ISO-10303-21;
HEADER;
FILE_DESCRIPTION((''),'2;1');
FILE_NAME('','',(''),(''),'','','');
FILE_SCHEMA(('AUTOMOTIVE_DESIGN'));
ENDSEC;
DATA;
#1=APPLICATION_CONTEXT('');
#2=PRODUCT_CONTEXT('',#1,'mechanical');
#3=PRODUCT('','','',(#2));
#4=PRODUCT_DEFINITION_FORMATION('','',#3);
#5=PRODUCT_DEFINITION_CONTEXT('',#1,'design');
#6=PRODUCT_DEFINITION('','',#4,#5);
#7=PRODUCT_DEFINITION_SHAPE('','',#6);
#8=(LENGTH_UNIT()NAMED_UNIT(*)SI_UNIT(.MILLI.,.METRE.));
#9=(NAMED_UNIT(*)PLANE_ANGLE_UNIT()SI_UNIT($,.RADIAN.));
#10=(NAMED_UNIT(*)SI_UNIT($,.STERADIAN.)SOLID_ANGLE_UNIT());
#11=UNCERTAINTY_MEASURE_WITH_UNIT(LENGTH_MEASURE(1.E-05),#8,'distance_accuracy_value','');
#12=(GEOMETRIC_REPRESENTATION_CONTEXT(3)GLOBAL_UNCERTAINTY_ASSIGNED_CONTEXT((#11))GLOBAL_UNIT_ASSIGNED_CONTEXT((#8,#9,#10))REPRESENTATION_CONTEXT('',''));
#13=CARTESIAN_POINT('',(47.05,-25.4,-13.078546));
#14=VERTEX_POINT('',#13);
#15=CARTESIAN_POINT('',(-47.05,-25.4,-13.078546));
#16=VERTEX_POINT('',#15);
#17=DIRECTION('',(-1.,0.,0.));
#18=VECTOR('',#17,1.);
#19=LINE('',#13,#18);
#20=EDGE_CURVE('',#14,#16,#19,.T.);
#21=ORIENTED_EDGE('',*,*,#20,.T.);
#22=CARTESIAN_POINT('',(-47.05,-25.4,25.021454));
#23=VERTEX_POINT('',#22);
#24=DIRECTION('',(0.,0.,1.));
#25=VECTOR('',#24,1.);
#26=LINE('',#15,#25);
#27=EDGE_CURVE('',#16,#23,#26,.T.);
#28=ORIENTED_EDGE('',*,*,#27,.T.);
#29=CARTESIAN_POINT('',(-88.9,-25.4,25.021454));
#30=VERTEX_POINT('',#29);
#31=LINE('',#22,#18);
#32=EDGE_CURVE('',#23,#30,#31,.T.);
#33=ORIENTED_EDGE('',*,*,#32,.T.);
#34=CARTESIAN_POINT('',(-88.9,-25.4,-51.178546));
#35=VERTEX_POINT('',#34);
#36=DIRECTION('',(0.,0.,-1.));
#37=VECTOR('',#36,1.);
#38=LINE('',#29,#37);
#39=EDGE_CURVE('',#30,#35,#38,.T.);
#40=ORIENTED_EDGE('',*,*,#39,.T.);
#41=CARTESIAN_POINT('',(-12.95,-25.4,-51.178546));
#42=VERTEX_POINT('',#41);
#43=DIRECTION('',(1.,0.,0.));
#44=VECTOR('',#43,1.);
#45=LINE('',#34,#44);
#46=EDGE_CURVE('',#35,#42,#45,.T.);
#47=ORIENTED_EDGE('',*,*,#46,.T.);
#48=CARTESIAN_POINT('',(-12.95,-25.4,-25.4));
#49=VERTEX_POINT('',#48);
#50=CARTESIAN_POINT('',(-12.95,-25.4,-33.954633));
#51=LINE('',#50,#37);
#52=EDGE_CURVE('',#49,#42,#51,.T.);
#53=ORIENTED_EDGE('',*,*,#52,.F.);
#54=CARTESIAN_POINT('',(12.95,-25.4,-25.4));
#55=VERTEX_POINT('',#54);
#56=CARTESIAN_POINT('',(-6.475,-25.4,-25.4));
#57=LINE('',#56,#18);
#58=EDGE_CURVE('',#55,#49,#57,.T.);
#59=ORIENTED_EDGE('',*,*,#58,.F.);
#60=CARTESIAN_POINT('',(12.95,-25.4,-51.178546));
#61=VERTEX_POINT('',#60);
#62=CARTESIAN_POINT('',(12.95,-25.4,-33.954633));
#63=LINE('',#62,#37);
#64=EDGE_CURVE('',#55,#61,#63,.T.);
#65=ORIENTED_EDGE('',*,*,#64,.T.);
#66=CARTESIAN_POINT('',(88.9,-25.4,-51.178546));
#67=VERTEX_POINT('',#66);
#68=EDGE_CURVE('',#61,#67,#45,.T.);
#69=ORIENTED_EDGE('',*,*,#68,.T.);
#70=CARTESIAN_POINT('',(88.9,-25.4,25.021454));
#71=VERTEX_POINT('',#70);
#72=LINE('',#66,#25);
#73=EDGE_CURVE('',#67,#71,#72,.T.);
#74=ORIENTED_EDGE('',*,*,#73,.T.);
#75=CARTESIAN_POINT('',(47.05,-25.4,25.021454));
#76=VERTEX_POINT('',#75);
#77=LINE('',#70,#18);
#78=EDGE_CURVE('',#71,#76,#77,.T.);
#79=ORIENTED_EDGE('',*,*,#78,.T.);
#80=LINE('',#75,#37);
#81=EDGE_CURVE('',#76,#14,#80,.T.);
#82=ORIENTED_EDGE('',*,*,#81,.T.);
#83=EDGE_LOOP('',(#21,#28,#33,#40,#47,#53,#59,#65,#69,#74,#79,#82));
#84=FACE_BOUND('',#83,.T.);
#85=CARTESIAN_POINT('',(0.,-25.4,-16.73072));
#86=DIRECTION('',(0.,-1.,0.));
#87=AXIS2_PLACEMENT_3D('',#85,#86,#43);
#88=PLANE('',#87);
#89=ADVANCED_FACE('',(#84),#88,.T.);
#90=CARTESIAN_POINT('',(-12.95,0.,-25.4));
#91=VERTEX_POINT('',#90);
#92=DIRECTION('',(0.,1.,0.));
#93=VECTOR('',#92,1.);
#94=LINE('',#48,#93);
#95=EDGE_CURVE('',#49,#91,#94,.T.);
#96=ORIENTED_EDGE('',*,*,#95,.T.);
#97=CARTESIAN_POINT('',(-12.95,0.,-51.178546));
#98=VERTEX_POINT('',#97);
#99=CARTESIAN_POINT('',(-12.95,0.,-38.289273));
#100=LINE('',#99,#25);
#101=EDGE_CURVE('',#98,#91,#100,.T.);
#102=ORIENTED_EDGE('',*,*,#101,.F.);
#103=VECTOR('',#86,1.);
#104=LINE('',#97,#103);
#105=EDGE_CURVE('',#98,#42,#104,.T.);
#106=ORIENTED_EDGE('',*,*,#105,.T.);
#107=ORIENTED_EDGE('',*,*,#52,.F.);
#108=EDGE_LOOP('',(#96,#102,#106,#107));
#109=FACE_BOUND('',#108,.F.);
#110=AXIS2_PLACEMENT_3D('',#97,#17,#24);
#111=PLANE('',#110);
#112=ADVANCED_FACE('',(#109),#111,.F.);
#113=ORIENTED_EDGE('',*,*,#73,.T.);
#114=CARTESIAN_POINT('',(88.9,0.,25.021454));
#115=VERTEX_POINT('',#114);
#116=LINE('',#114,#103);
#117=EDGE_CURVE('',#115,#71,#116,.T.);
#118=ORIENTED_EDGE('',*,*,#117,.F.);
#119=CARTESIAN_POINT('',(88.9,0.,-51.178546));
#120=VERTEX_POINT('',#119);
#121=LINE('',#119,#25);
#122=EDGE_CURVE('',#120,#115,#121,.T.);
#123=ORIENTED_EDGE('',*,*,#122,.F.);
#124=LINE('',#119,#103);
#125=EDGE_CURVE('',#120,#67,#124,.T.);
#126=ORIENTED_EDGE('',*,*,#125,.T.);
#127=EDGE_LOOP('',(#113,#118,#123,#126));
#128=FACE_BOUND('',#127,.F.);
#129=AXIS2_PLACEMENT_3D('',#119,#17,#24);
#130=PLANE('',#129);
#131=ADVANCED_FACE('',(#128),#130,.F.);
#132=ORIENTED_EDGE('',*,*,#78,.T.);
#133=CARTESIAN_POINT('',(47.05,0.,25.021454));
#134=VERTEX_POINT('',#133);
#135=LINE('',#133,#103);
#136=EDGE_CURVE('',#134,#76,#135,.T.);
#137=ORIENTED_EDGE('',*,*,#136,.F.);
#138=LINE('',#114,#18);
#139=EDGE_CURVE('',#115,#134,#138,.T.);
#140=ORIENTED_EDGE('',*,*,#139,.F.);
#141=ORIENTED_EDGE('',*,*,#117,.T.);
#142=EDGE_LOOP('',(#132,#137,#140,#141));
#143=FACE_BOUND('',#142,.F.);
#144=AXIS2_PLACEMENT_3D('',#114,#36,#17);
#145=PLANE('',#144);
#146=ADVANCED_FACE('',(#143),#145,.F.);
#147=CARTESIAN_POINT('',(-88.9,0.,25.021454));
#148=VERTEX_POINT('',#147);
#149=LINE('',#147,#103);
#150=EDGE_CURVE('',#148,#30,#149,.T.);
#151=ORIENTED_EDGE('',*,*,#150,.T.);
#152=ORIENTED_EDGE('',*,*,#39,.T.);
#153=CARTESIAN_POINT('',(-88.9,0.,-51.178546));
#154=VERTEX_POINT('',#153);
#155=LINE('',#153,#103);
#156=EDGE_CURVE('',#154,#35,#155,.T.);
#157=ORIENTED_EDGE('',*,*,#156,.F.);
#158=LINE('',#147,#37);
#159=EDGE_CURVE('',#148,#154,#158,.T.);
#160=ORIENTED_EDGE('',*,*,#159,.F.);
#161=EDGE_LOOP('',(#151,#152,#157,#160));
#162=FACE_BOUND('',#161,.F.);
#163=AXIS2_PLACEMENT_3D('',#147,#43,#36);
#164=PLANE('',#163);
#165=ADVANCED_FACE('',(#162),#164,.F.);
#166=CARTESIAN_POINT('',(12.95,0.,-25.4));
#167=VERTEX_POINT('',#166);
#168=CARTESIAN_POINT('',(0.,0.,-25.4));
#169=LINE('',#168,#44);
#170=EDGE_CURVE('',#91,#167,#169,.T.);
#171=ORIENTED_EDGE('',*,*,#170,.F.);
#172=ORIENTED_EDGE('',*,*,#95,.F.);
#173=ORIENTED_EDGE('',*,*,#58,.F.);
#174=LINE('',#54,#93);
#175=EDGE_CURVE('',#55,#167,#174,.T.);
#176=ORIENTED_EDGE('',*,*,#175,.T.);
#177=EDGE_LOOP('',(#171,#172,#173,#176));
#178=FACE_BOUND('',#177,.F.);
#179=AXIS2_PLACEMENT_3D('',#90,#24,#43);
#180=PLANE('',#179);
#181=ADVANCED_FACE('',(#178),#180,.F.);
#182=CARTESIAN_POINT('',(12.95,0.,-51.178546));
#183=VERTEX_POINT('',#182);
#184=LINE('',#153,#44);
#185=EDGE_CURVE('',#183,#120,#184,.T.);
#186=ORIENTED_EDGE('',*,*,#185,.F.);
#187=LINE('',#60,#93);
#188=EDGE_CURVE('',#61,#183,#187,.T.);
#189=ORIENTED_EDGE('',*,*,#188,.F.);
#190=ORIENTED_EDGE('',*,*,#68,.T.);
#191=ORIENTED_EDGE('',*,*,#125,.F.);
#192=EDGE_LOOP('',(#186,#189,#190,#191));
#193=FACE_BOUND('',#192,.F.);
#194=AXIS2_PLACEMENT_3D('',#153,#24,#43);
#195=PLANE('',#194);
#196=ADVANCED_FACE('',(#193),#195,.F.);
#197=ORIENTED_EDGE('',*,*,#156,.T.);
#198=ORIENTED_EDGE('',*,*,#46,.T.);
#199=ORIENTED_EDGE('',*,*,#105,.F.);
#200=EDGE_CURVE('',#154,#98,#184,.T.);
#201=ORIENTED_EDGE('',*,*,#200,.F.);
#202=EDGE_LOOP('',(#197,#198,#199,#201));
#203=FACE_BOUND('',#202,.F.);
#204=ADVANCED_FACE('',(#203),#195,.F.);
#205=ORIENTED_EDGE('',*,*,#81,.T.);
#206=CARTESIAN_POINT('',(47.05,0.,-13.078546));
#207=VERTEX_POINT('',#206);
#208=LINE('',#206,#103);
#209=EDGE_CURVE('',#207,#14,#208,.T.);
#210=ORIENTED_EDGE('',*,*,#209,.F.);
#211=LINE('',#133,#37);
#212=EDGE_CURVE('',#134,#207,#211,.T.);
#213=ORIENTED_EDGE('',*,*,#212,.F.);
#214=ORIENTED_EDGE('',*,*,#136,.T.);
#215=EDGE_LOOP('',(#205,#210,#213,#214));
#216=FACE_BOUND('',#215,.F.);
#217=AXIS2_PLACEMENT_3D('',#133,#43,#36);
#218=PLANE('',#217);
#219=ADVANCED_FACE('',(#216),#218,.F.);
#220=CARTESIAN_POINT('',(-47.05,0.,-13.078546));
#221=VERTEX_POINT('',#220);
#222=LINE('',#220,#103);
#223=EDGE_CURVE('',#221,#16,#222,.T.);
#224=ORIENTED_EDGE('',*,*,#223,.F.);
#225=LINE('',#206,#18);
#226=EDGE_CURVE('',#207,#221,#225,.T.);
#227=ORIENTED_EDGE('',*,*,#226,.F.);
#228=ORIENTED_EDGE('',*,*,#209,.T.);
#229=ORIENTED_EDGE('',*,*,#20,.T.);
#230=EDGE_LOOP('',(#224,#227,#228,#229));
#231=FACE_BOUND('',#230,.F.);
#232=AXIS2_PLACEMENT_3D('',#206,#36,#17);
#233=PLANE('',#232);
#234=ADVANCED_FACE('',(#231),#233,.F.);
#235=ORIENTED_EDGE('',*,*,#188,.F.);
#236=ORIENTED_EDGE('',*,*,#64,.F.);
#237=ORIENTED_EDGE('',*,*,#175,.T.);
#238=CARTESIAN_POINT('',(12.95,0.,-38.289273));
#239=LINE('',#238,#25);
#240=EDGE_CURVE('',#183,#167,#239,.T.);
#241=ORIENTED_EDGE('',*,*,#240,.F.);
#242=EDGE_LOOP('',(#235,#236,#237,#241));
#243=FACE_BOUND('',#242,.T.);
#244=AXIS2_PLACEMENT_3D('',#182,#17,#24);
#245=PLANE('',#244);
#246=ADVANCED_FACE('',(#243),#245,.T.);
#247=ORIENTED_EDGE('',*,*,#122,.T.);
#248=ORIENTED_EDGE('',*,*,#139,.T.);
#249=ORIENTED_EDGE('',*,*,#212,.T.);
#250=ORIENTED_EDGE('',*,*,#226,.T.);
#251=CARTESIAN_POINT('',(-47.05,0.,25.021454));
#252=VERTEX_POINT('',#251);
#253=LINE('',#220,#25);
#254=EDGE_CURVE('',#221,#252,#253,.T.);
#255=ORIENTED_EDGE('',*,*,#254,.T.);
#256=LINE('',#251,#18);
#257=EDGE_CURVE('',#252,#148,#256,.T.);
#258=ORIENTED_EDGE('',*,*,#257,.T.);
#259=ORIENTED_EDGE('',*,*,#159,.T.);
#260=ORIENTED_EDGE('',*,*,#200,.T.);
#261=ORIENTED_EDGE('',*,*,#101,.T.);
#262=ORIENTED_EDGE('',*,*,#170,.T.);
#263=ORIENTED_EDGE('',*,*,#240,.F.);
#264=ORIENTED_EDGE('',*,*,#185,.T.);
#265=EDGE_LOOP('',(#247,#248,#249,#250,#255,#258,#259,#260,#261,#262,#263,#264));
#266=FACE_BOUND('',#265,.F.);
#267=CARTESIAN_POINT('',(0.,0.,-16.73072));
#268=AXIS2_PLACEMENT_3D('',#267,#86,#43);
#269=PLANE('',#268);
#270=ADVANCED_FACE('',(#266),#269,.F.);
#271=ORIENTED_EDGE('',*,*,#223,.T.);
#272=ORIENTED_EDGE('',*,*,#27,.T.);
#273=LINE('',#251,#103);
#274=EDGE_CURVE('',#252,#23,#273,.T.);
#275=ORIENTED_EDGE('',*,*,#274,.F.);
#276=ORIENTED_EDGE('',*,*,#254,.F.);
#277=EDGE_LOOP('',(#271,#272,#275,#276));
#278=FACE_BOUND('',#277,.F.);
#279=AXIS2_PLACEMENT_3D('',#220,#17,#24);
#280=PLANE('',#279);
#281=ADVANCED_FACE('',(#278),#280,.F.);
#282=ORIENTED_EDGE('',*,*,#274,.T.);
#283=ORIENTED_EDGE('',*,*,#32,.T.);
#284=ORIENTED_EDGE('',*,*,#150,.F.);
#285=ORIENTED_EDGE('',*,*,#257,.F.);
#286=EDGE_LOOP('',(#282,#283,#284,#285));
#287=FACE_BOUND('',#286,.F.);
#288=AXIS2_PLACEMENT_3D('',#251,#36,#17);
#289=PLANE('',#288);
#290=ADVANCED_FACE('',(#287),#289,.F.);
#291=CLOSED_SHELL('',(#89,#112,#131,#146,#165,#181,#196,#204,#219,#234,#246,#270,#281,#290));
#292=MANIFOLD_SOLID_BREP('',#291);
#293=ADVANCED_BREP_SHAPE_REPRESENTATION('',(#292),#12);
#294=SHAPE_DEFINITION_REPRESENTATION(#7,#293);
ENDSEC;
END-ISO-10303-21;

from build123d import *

# Parameters (mm, degrees)
F1_DEPTH = 25.4
F2_W     = 25.9
F2_H     = 25.778546
F3_DEPTH = 4
F4_DEPTH = 25.401


with BuildPart() as f1:
    # F0 (on Front) → F1 (new body)
    with BuildSketch(Plane.XZ):
        Polygon((-47.05, 25.021454), (-88.9, 25.021454), (-88.9, -30.673691), (-88.9, -51.178546), (-41.565981, -51.178546), (0, -51.178546), (88.9, -51.178546), (88.9, 25.021454), (47.05, 25.021454), (47.05, -13.078546), (0, -13.078546), (-47.05, -13.078546), align=None)
    extrude(amount=F1_DEPTH)

    # F2 (on Front) → F3 (cut)
    with BuildSketch(Plane.XZ):
        with Locations((0, -38.289273)):
            Rectangle(F2_W, F2_H)
    extrude(amount=F3_DEPTH, mode=Mode.SUBTRACT)

    # F2 (on Front) → F4 (cut, through all)
    with BuildSketch(Plane.XZ):
        with Locations((0, -38.289273)):
            Rectangle(F2_W, F2_H)
    extrude(amount=F4_DEPTH, mode=Mode.SUBTRACT)


solid = f1.part
